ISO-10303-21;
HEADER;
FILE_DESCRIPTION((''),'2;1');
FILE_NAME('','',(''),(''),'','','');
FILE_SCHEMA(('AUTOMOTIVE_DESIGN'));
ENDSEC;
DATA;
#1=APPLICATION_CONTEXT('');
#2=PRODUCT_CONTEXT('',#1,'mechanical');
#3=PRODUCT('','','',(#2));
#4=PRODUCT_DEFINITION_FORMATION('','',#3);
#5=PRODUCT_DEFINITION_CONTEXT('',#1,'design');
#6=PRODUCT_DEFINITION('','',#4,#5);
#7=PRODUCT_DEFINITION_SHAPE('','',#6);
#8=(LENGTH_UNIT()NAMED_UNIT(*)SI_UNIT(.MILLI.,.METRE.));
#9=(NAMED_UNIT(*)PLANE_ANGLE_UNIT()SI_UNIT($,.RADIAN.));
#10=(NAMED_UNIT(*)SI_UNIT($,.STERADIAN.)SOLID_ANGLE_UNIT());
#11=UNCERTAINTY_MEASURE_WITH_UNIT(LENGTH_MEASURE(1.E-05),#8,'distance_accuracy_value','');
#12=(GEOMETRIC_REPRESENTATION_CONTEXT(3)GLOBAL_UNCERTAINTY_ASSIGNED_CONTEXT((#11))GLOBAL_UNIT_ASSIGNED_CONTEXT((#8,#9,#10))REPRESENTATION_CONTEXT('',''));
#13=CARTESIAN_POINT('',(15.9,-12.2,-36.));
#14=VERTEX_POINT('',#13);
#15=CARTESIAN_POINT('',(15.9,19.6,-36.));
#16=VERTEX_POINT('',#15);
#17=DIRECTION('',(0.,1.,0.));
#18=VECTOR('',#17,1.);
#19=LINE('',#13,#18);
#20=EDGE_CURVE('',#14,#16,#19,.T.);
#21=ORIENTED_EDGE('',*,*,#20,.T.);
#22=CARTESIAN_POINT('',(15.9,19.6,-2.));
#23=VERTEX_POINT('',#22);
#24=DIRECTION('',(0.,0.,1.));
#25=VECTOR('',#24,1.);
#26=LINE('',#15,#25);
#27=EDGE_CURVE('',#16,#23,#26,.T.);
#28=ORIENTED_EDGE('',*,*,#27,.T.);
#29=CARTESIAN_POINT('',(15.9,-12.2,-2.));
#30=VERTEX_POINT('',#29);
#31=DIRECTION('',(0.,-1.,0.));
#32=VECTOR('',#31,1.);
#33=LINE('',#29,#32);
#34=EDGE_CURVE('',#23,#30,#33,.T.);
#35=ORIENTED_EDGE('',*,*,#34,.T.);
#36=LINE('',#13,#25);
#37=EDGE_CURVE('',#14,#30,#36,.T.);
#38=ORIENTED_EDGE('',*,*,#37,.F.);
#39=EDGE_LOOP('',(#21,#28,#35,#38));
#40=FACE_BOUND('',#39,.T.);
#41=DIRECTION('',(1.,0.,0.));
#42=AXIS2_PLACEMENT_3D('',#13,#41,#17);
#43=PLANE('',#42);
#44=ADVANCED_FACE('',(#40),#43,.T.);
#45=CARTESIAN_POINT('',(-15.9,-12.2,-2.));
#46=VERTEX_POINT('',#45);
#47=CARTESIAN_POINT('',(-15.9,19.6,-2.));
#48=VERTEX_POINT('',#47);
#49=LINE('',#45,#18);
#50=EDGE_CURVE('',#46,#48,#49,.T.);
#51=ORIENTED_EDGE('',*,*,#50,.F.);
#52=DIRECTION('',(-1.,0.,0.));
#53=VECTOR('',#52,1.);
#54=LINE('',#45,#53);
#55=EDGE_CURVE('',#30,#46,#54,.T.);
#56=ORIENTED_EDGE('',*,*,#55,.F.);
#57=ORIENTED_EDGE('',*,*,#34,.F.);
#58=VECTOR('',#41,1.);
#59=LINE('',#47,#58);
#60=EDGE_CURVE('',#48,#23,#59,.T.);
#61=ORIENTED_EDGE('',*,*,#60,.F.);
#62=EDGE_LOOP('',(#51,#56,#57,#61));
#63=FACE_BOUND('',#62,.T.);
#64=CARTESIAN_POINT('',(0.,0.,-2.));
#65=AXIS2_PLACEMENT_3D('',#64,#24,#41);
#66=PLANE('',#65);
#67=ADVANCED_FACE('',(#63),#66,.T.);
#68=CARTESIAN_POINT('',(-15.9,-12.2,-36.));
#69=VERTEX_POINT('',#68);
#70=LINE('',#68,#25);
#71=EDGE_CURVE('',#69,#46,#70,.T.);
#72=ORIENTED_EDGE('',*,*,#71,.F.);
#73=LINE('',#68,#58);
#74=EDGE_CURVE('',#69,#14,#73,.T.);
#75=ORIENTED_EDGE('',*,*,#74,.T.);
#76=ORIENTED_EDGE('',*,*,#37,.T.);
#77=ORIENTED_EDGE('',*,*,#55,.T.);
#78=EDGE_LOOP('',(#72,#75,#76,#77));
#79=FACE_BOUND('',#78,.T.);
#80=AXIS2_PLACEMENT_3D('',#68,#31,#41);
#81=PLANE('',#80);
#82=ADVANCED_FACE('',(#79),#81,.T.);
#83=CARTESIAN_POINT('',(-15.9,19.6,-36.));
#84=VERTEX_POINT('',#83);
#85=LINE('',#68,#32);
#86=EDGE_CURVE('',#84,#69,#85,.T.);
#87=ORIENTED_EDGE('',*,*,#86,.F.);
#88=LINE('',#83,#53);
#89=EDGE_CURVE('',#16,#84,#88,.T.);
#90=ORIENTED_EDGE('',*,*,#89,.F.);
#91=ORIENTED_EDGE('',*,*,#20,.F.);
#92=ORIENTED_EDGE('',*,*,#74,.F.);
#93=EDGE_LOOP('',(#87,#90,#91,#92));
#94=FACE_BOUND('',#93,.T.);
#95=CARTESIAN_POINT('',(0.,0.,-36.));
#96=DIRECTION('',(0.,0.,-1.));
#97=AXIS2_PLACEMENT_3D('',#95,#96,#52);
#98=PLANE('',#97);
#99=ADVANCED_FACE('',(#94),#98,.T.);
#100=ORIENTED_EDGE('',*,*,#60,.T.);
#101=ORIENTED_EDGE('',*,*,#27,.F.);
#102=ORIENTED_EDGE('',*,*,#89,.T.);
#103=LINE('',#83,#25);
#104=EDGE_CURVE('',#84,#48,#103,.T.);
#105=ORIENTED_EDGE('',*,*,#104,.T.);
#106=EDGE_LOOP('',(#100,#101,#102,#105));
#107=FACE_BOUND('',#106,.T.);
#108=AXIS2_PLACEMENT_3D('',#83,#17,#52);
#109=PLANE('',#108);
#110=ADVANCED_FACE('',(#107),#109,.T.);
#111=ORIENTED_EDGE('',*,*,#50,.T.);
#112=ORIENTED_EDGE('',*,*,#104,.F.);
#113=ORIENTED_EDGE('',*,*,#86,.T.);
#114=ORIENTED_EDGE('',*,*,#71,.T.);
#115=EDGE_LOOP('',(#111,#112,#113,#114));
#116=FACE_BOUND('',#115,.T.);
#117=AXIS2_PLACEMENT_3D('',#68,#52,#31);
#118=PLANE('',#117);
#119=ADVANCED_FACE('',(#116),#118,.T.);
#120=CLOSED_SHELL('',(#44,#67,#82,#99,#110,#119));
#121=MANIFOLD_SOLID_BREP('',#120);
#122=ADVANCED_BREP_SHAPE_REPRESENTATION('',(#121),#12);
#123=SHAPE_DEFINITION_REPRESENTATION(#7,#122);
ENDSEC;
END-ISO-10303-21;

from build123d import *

# Parameters (mm, degrees)
SKETCH1_W           = 31.8
SKETCH1_H           = 31.8
BOSS_EXTRUDE1_DEPTH = 36


with BuildPart() as part:
    # Sketch1 → Boss-Extrude1 (new body)
    with BuildSketch(Plane.XY):
        with Locations((0, 3.7)):
            Rectangle(SKETCH1_W, SKETCH1_H)
    extrude(amount=-BOSS_EXTRUDE1_DEPTH)

    # SurfaceCut1
    split(bisect_by=Plane.XY.offset(-2), keep=Keep.BOTTOM)


solid = part.part
